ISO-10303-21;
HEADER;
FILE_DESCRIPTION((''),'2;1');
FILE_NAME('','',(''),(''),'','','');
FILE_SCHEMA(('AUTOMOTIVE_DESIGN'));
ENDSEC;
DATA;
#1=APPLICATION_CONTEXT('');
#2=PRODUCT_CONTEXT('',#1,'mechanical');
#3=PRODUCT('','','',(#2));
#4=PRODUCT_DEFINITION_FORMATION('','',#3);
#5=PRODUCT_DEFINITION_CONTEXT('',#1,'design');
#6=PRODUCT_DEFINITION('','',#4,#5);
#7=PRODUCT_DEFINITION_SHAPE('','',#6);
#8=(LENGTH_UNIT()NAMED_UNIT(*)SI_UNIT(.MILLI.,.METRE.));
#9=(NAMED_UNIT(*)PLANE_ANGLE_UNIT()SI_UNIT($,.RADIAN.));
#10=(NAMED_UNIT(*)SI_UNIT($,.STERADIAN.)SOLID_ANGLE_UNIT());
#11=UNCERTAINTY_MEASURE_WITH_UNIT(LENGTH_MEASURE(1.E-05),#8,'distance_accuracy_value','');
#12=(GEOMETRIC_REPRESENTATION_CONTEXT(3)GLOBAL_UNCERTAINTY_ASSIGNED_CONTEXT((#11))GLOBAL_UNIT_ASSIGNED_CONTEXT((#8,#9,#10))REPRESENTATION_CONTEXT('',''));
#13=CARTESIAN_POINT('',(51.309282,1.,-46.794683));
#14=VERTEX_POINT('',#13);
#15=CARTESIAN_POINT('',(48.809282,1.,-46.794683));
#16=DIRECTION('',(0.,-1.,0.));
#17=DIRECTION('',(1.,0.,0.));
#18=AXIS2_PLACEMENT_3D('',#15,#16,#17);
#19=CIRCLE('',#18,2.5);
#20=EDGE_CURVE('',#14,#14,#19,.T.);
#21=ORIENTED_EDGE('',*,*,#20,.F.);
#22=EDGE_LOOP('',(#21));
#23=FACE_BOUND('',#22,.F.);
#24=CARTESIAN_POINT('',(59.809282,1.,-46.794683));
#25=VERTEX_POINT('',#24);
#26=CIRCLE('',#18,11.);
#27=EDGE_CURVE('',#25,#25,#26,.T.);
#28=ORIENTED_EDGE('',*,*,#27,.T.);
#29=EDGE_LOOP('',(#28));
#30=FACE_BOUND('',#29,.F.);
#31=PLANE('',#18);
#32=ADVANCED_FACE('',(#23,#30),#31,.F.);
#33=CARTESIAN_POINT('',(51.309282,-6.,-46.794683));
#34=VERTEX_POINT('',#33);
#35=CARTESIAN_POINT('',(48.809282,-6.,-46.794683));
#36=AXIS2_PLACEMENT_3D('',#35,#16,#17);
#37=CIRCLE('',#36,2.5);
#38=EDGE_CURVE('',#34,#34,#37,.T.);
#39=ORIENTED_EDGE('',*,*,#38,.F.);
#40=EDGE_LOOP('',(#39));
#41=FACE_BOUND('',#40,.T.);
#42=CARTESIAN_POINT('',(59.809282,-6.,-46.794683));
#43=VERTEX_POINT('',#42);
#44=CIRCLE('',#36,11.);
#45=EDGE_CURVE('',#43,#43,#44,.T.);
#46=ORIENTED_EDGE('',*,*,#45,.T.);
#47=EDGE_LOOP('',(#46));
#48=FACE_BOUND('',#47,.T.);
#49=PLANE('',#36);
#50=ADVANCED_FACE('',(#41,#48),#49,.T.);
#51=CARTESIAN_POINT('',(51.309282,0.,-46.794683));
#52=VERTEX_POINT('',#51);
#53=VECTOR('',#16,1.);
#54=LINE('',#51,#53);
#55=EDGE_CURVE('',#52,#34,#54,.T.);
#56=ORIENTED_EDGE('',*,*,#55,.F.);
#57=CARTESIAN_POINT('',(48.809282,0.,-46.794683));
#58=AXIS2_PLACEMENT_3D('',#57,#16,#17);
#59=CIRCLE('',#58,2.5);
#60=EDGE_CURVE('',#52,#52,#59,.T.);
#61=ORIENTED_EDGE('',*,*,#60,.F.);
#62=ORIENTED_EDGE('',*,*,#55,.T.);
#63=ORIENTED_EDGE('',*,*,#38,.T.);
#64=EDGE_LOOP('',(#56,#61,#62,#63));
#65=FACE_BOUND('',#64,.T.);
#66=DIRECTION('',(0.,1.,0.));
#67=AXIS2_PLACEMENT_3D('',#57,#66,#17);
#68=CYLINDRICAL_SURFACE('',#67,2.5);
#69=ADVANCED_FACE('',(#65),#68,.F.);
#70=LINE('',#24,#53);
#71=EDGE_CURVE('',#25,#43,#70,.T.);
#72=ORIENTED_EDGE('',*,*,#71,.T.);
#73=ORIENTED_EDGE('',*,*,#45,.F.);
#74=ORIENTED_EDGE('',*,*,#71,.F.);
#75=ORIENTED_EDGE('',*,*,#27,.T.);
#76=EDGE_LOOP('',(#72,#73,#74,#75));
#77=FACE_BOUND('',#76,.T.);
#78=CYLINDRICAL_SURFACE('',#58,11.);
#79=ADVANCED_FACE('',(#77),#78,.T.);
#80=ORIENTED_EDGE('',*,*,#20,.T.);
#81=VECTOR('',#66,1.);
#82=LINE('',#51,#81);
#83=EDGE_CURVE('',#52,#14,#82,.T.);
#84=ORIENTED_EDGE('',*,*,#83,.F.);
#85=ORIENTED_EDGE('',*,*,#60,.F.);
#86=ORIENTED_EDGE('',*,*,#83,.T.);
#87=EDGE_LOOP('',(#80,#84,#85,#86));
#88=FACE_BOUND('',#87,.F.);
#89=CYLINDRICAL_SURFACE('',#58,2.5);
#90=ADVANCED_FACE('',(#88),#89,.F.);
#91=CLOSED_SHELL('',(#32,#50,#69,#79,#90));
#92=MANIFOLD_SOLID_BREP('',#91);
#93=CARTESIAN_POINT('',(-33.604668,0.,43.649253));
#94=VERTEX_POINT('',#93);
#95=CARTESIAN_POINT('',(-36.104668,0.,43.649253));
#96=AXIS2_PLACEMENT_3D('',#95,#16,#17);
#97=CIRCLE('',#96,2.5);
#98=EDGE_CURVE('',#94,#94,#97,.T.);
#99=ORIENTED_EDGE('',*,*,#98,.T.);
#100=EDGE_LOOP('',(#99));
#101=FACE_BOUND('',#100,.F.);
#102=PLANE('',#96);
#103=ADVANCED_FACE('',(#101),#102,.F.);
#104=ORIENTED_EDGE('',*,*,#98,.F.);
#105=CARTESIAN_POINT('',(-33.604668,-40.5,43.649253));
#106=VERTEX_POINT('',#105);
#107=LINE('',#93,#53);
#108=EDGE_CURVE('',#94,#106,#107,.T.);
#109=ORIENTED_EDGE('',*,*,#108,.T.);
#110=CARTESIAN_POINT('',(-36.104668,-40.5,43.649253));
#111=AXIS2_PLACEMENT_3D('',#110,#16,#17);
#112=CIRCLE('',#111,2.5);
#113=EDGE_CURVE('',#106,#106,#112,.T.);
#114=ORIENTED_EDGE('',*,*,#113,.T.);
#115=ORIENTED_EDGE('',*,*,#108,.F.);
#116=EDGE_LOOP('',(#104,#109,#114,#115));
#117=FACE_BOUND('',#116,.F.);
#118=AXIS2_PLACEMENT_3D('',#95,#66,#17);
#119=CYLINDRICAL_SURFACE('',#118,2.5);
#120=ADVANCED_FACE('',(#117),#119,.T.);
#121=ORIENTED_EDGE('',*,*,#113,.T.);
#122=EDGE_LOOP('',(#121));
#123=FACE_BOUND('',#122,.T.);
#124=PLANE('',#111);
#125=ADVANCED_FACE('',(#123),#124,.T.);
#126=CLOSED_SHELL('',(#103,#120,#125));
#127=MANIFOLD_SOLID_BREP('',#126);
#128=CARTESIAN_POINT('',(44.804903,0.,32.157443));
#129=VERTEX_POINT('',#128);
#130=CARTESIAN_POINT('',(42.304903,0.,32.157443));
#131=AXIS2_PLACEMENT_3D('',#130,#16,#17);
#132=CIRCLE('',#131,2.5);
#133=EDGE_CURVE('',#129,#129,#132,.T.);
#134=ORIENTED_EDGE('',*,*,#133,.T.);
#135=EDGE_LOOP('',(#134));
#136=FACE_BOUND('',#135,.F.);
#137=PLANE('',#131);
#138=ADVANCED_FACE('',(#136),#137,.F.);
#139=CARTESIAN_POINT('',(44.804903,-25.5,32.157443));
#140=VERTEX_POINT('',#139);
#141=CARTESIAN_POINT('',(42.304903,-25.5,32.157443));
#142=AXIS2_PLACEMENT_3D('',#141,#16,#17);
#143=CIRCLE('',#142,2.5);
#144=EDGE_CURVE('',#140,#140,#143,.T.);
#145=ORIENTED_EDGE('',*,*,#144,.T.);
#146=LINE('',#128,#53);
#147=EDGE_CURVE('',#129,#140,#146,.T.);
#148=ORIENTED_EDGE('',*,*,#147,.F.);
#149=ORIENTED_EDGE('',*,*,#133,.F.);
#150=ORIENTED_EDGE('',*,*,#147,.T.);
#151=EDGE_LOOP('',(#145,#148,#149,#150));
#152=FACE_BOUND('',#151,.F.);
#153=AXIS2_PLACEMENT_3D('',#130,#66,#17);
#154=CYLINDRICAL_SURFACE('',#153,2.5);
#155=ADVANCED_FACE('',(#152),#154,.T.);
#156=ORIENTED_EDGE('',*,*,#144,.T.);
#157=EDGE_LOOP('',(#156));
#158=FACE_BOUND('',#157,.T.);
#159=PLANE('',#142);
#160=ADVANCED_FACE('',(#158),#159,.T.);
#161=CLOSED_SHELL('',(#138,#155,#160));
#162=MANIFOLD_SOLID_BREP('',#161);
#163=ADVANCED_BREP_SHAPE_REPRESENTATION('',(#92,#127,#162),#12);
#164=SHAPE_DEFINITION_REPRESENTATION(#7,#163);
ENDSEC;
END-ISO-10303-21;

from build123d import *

# Parameters (mm, degrees)
F0_R          = 11
F0_R_2        = 2.5
F1_DEPTH      = 6
F1_DEPTH_BACK = 1
F2_R          = 2.5
F3_DEPTH      = 25.5
F4_R          = 2.5
F5_DEPTH      = 40.5


with BuildPart() as f1:
    # F0 (on Front) → F1 (new body, two sides)
    with BuildSketch(Plane.XZ) as f1_sk:
        with Locations((48.809282, -46.794683)):
            Circle(F0_R)
        with Locations((48.809282, -46.794683)):
            Circle(F0_R_2, mode=Mode.SUBTRACT)
    extrude(amount=F1_DEPTH)
    extrude(f1_sk.sketch, amount=-F1_DEPTH_BACK)


with BuildPart() as f3:
    # F2 (on Front) → F3 (new body)
    with BuildSketch(Plane.XZ):
        with Locations((42.304903, 32.157443)):
            Circle(F2_R)
    extrude(amount=F3_DEPTH)


with BuildPart() as f5:
    # F4 (on Front) → F5 (new body)
    with BuildSketch(Plane.XZ):
        with Locations((-36.104668, 43.649253)):
            Circle(F4_R)
    extrude(amount=F5_DEPTH)


solid = Compound([f1.part, f3.part, f5.part])
